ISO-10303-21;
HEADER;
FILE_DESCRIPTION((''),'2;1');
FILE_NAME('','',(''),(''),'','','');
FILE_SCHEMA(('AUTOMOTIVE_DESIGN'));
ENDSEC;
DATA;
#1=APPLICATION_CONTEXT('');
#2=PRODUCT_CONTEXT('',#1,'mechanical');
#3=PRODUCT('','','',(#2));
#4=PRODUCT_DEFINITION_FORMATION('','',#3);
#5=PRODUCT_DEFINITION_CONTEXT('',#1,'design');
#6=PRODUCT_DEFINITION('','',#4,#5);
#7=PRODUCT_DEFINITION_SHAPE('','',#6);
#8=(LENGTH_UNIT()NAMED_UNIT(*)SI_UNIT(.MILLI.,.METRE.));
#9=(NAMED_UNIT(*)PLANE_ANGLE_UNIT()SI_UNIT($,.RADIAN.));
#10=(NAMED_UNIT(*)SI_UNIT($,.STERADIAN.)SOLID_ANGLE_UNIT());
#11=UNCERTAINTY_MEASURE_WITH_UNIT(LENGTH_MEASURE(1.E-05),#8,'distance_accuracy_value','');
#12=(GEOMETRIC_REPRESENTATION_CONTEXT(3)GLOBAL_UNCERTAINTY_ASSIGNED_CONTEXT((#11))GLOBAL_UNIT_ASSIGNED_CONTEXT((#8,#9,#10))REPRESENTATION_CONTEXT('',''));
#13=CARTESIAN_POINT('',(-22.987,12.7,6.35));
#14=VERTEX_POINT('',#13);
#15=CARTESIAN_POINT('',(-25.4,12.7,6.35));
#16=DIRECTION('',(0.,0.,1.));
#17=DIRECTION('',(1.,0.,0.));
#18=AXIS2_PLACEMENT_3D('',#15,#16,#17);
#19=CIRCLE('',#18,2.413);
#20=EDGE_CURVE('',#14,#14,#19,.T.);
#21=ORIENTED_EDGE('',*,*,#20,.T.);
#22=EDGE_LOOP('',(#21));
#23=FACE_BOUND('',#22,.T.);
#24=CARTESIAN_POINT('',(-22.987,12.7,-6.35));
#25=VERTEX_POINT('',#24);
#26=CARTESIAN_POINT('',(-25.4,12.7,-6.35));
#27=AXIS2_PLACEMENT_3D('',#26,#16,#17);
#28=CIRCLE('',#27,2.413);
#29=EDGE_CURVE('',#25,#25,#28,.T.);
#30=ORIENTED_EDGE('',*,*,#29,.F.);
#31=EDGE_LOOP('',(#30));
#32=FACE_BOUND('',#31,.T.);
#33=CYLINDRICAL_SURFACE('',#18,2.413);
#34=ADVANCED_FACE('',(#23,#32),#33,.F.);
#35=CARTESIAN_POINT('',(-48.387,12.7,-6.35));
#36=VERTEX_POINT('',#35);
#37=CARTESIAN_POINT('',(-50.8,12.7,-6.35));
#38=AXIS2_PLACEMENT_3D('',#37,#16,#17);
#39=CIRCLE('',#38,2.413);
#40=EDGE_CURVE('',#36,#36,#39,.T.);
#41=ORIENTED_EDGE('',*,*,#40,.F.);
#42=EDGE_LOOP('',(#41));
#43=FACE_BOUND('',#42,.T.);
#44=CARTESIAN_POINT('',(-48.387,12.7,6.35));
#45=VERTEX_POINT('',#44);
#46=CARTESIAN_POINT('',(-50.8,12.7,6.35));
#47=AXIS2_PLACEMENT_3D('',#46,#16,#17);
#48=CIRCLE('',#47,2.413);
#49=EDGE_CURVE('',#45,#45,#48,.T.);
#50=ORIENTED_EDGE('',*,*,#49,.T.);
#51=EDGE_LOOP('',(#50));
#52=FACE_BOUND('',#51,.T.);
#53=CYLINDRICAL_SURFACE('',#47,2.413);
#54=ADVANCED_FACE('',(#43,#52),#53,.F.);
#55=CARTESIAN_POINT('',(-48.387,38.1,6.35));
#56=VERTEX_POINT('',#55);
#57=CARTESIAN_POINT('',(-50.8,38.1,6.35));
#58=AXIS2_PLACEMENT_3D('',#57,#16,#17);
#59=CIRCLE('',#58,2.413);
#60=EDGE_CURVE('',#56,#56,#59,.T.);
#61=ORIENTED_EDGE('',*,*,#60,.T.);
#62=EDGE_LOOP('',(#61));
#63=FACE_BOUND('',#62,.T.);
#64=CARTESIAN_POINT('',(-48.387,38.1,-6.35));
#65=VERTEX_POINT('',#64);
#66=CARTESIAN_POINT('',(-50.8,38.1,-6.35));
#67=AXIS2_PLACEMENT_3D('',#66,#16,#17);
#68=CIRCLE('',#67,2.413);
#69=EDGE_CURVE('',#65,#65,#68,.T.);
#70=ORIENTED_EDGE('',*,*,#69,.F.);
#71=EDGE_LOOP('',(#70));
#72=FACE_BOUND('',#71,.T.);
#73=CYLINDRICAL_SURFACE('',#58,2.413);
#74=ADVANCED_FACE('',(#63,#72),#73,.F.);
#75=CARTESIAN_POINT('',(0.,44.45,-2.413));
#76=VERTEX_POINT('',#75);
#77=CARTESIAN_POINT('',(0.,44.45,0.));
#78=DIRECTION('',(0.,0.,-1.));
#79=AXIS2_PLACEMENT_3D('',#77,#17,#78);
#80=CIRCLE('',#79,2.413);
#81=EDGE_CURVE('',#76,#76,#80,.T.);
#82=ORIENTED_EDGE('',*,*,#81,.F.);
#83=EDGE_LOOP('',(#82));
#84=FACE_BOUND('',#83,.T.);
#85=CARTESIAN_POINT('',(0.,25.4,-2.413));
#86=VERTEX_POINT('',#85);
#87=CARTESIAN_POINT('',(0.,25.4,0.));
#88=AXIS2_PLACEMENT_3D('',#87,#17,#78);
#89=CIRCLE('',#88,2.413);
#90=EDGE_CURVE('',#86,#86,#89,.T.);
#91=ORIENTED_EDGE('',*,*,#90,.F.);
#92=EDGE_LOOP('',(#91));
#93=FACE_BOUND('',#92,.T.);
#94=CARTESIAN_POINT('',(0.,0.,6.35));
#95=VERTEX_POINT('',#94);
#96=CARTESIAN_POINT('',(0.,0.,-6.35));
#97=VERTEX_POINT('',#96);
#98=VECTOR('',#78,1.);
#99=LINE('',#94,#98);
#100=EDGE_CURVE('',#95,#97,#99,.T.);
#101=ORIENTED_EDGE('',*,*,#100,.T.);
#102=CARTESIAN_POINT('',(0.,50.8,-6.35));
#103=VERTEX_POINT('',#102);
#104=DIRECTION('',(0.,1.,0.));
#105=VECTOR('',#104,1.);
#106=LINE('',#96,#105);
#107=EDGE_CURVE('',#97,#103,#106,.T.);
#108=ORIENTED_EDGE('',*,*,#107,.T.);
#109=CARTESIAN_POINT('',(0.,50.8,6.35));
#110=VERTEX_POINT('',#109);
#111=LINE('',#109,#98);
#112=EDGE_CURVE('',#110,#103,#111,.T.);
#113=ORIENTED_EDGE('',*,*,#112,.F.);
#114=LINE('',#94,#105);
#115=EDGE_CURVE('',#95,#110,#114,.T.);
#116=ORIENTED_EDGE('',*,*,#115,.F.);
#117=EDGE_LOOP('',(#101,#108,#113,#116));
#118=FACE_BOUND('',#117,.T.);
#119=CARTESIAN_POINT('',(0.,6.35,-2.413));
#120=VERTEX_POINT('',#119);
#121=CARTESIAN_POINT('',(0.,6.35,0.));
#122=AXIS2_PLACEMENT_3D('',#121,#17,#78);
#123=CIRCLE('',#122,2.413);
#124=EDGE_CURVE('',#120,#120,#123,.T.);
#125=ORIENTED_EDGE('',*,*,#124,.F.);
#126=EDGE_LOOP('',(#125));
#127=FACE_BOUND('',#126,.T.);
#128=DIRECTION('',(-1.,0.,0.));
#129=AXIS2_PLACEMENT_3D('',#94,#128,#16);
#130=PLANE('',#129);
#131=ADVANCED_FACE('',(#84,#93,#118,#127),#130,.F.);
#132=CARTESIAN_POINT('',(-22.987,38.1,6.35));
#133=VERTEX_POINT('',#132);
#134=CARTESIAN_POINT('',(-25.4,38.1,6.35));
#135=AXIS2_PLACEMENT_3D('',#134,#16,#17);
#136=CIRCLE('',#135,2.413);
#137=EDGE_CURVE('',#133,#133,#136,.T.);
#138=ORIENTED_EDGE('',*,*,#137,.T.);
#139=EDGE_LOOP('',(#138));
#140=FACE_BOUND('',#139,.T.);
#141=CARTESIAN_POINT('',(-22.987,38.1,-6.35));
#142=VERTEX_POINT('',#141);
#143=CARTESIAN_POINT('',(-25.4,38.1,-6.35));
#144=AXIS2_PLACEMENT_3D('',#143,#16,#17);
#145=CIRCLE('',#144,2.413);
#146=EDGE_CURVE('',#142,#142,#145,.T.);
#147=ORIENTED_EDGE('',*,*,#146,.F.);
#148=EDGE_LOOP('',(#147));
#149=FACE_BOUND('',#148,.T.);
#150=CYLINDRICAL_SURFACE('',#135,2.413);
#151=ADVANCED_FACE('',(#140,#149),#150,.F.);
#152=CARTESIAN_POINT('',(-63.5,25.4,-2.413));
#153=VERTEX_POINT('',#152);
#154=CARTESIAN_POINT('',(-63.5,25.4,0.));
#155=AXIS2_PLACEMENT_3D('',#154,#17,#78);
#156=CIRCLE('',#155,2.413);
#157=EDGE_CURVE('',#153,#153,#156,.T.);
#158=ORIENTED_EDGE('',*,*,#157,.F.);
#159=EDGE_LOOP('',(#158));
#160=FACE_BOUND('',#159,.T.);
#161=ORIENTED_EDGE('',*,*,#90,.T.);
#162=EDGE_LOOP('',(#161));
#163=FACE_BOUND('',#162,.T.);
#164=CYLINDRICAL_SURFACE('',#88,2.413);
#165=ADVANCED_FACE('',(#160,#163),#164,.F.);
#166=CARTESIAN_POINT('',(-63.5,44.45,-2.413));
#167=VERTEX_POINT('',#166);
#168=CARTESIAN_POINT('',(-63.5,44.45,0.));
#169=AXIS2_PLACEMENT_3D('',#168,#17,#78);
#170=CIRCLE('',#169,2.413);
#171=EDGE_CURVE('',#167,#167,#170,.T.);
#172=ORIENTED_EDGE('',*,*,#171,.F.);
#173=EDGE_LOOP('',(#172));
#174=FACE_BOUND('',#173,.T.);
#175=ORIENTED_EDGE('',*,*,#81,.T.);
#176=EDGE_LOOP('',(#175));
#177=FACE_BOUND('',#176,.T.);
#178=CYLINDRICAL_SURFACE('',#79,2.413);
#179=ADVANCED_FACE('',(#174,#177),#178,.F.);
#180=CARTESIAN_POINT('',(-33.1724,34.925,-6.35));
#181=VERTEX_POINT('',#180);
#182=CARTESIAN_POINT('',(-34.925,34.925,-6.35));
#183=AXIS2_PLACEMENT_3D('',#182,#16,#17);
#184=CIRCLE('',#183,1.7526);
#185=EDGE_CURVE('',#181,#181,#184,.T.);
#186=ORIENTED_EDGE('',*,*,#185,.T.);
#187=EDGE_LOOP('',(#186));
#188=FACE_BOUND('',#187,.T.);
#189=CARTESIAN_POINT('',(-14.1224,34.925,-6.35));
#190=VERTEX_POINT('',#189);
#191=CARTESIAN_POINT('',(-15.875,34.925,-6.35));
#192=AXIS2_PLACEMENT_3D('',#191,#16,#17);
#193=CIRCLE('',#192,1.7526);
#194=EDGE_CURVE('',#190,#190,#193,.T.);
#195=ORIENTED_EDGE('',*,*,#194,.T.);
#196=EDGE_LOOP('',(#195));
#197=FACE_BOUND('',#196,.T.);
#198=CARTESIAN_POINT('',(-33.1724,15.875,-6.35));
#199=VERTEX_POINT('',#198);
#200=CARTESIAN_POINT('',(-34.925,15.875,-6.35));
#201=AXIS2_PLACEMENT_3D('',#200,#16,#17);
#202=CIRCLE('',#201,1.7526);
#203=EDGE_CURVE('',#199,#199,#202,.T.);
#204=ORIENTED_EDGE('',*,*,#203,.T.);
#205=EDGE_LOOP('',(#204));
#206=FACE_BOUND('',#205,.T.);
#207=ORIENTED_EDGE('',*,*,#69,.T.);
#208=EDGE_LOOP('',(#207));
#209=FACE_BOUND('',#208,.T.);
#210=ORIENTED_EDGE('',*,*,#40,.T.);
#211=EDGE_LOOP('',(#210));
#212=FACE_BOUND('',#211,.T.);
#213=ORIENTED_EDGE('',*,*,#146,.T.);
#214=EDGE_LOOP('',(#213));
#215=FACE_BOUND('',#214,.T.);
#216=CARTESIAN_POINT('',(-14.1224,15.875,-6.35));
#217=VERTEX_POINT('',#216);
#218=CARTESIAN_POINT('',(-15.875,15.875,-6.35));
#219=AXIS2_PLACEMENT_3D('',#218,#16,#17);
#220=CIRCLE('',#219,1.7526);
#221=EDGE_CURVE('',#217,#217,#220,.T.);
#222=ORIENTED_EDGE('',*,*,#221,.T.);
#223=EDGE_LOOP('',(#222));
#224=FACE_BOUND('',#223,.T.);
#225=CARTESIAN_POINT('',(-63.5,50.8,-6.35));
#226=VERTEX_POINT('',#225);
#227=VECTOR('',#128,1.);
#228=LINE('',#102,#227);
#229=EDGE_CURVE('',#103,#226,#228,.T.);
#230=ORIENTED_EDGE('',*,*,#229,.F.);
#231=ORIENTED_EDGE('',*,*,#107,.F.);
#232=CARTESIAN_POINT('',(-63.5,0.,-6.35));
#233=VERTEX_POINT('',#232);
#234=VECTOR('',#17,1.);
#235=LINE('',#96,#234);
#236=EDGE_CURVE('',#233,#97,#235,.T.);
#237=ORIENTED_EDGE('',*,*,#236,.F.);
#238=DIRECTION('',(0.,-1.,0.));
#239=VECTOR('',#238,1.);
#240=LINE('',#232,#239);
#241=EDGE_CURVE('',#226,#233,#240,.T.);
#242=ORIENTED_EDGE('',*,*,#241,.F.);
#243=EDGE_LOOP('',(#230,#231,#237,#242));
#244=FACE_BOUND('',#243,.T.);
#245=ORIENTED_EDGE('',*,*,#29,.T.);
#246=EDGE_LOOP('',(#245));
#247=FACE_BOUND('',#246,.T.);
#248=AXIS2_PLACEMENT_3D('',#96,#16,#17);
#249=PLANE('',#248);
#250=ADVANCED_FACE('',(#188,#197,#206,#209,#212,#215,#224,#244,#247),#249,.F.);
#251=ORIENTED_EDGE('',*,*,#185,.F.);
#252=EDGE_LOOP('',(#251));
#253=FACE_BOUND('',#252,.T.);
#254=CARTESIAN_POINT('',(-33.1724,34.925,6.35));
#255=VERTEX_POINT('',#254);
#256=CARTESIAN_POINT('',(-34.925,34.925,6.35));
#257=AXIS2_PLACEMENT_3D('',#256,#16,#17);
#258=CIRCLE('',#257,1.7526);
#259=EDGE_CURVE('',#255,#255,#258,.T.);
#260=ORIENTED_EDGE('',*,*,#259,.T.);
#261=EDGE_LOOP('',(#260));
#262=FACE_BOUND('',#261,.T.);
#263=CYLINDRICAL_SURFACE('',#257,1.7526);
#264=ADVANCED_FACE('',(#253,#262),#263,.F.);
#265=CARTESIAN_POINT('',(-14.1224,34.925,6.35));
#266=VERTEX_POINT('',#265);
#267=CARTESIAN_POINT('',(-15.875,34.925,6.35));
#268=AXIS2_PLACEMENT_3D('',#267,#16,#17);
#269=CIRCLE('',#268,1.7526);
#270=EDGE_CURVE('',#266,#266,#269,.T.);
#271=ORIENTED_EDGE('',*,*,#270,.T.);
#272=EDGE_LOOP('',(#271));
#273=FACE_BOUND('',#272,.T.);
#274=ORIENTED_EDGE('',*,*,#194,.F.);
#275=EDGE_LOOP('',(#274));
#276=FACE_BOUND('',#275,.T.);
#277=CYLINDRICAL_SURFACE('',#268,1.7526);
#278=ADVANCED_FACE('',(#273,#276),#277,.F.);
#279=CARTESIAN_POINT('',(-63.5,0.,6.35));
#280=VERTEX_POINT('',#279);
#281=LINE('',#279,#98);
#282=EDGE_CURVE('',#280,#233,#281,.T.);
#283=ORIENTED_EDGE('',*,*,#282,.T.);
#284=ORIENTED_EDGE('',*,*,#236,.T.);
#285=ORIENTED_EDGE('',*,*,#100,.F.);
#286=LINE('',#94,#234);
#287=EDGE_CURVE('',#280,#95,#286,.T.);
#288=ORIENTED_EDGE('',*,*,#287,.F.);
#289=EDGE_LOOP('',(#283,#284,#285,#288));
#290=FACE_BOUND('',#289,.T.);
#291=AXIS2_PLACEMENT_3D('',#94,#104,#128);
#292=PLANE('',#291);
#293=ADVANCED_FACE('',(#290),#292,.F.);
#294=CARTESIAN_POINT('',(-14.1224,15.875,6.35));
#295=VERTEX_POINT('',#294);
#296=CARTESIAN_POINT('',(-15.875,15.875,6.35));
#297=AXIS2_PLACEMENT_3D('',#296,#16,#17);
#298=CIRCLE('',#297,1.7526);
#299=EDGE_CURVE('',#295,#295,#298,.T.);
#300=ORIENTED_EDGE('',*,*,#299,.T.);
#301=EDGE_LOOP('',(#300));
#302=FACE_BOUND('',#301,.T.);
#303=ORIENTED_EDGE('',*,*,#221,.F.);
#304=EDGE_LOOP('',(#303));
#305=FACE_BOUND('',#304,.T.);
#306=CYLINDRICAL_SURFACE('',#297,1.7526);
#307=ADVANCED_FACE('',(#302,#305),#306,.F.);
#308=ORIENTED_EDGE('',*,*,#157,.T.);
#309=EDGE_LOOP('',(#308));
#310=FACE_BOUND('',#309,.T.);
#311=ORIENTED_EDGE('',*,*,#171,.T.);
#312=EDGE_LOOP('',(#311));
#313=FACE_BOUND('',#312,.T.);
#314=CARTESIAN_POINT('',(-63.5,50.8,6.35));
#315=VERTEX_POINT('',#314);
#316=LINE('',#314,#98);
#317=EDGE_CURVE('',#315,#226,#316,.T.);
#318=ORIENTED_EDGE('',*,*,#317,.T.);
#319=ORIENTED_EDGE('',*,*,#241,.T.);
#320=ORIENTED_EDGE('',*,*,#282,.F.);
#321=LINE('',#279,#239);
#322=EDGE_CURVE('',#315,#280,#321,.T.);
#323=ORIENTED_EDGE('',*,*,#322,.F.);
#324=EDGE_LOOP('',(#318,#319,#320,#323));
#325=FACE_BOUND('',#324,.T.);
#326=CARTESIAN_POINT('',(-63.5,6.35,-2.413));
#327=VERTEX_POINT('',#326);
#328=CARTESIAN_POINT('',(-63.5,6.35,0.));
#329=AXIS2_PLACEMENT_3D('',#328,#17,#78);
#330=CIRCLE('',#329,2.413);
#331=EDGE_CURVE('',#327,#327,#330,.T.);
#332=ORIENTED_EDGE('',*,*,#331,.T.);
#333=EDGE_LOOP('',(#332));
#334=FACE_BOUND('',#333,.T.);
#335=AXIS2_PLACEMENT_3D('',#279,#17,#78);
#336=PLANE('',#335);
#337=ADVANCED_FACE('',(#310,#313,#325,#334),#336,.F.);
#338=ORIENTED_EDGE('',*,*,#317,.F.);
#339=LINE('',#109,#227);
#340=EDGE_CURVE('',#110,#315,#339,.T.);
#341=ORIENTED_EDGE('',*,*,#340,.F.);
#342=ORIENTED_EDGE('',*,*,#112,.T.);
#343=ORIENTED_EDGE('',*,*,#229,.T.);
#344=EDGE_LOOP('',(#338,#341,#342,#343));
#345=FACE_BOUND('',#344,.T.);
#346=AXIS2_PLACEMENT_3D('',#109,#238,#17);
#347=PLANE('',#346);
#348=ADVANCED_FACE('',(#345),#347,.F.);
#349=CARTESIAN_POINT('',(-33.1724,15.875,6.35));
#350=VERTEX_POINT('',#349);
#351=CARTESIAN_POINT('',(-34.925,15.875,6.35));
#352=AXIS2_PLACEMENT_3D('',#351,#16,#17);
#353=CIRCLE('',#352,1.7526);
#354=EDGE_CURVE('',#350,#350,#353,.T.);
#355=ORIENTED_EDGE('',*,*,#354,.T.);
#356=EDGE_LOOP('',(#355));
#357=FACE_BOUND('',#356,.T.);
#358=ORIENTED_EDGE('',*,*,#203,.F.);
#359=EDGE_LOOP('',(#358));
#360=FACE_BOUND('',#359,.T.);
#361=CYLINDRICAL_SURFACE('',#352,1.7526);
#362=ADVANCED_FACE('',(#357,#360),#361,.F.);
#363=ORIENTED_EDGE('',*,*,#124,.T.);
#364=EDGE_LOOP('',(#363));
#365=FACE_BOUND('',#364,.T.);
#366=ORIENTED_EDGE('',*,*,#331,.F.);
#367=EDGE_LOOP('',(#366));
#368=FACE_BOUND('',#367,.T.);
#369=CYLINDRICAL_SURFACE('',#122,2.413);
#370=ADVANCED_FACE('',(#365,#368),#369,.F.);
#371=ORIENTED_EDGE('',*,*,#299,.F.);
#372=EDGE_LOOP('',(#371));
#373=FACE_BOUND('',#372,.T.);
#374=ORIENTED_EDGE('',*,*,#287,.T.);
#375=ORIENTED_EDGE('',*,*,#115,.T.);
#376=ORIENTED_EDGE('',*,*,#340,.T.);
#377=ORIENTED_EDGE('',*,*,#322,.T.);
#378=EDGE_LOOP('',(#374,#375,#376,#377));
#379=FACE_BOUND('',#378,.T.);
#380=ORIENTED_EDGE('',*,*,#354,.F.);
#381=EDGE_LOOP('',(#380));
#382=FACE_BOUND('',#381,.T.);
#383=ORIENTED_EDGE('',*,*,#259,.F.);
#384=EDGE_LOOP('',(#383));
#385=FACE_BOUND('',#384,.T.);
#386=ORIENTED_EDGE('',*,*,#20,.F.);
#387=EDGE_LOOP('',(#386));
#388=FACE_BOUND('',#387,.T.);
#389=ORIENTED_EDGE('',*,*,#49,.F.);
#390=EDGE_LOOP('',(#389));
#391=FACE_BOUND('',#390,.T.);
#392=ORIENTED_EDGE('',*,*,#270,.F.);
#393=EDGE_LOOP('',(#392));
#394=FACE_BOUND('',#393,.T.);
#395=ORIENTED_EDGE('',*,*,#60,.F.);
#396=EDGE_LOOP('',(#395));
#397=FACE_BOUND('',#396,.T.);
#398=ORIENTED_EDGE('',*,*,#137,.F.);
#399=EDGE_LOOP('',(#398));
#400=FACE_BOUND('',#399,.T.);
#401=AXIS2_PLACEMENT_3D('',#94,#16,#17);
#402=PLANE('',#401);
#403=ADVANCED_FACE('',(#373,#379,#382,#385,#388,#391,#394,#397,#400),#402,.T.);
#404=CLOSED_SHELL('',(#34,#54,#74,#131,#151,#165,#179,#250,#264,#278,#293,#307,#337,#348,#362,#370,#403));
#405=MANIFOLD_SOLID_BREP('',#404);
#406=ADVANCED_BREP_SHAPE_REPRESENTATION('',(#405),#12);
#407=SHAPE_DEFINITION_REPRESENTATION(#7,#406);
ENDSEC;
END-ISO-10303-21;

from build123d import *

# Parameters (mm, degrees)
SKETCH1_W                = 63.5
SKETCH1_H                = 50.8
BOSS_EXTRUDE1_DEPTH      = 6.35
F_10_32_THREADED_D       = 4.826
F_10_32_THREADED_FRONT_D = 4.826
F_6_32_THREADED_FRONT_D  = 3.5052


with BuildPart() as part:
    # Sketch1 → Boss-Extrude1 (new, symmetric)
    with BuildSketch(Plane.XY):
        with Locations((-31.75, 25.4)):
            Rectangle(SKETCH1_W, SKETCH1_H)
    extrude(amount=BOSS_EXTRUDE1_DEPTH, both=True)

    # #10-32 Threaded (through all)
    with Locations(Plane(origin=(0, 0, 0), x_dir=(0, 0, -1), z_dir=(1, 0, 0))):
        with Locations((0, 44.45), (0, 25.4), (0, 6.35)):
            Hole(F_10_32_THREADED_D / 2)

    # #10-32 Threaded Front (through all)
    with Locations(Plane.XY.offset(6.35)):
        with Locations((-50.8, 38.1), (-25.4, 38.1), (-50.8, 12.7), (-25.4, 12.7)):
            Hole(F_10_32_THREADED_FRONT_D / 2)

    # #6-32 Threaded Front (through all)
    with Locations(Plane.XY.offset(6.35)):
        with Locations((-34.925, 34.925), (-15.875, 34.925), (-15.875, 15.875), (-34.925, 15.875)):
            Hole(F_6_32_THREADED_FRONT_D / 2)


solid = part.part
